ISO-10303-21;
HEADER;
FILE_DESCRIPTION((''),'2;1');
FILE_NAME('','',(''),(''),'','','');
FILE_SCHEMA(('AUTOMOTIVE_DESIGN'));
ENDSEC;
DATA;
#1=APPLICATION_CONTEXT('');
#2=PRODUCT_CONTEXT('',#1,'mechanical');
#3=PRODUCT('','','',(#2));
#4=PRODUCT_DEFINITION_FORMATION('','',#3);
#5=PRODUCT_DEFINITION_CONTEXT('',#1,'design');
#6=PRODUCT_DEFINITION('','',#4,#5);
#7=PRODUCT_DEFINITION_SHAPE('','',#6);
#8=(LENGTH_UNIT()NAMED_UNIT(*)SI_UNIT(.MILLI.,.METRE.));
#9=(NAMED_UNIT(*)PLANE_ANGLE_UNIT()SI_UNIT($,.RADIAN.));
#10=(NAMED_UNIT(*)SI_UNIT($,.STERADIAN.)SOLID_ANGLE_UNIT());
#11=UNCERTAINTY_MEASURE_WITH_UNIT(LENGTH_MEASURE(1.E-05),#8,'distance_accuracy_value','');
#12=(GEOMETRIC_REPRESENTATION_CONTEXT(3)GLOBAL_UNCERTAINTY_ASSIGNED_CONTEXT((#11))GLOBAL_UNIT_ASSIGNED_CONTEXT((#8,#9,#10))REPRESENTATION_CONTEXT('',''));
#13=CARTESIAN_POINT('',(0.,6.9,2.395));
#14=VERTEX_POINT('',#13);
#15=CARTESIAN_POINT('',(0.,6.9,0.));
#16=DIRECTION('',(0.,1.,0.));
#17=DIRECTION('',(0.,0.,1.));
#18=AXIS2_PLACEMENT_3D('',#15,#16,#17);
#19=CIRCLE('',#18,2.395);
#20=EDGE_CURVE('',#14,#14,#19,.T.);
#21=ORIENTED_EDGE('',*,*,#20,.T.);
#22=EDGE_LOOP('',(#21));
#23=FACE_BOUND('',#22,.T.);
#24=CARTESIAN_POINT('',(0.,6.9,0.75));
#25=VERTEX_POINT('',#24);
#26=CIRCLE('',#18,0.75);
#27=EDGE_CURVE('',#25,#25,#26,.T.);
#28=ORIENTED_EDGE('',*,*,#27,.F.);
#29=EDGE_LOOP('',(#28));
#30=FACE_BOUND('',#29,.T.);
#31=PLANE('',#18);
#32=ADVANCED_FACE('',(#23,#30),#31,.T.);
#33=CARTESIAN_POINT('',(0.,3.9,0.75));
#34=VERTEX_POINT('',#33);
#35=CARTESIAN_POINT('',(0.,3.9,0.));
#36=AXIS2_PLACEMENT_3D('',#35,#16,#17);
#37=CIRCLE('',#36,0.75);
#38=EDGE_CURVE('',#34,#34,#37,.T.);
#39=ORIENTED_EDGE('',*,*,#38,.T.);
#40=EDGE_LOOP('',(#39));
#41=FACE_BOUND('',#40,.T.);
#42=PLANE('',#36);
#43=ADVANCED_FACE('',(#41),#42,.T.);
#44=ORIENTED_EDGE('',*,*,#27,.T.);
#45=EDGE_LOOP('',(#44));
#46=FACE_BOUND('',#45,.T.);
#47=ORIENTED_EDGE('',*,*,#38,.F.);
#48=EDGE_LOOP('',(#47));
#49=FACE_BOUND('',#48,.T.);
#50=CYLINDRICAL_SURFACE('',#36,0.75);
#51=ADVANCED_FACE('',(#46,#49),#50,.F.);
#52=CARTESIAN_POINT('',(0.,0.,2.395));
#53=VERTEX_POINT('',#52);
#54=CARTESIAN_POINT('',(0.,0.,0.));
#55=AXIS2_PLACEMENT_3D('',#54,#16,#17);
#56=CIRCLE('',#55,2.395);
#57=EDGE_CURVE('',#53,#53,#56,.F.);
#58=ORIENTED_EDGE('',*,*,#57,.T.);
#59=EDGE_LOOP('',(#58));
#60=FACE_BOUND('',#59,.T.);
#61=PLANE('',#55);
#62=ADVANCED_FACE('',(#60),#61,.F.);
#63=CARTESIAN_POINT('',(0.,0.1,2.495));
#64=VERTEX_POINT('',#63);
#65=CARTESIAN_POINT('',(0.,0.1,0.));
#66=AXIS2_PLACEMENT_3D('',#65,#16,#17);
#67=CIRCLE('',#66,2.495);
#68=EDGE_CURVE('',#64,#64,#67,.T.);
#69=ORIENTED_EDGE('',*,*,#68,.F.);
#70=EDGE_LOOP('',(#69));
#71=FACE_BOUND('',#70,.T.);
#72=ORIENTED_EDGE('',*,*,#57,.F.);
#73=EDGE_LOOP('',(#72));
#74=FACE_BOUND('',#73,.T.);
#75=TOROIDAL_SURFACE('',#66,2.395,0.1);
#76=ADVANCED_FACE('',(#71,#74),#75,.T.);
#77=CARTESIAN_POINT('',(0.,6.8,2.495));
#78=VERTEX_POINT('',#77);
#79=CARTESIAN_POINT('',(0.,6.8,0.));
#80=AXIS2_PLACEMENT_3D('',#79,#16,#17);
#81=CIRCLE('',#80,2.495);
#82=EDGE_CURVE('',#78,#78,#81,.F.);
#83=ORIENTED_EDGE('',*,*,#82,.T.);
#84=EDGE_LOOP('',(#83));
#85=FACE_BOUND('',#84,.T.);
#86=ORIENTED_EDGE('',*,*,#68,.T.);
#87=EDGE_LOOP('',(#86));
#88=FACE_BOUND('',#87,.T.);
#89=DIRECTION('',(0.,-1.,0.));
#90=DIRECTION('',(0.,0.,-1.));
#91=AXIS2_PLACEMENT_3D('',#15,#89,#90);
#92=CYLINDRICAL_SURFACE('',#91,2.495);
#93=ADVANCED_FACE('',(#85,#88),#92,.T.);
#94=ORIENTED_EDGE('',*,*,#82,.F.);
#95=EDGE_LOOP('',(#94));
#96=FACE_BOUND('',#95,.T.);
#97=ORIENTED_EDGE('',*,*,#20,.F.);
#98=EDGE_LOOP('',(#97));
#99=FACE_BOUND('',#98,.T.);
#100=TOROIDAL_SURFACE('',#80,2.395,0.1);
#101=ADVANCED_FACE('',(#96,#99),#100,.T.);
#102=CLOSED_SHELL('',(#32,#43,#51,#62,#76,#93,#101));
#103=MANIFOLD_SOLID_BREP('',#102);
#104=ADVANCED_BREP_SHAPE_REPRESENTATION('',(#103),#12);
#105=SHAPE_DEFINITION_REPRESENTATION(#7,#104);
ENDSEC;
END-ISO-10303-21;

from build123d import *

# Parameters (mm, degrees)
CROQUIS1_R              = 2.495
SALIENTE_EXTRUIR1_DEPTH = 6.9
REDONDEO1_R             = 0.1
CROQUIS2_R              = 0.75
CORTAR_EXTRUIR1_DEPTH   = 3


with BuildPart() as part:
    # Croquis1 → Saliente-Extruir1 (new body)
    with BuildSketch(Plane(origin=(0, 0, 0), x_dir=(1, 0, 0), z_dir=(0, 1, 0))):
        Circle(CROQUIS1_R)
    extrude(amount=SALIENTE_EXTRUIR1_DEPTH)

    # Redondeo1
    redondeo1_edges = [part.edges().sort_by_distance(p)[0] for p in [
        (-2.495, 0, 0),
        (-2.495, 6.9, 0),
    ]]
    fillet(redondeo1_edges, radius=REDONDEO1_R)

    # Croquis2 → Cortar-Extruir1 (cut)
    with BuildSketch(Plane(origin=(0, 6.9, 0), x_dir=(1, 0, 0), z_dir=(0, 1, 0))):
        Circle(CROQUIS2_R)
    extrude(amount=-CORTAR_EXTRUIR1_DEPTH, mode=Mode.SUBTRACT)


solid = part.part
